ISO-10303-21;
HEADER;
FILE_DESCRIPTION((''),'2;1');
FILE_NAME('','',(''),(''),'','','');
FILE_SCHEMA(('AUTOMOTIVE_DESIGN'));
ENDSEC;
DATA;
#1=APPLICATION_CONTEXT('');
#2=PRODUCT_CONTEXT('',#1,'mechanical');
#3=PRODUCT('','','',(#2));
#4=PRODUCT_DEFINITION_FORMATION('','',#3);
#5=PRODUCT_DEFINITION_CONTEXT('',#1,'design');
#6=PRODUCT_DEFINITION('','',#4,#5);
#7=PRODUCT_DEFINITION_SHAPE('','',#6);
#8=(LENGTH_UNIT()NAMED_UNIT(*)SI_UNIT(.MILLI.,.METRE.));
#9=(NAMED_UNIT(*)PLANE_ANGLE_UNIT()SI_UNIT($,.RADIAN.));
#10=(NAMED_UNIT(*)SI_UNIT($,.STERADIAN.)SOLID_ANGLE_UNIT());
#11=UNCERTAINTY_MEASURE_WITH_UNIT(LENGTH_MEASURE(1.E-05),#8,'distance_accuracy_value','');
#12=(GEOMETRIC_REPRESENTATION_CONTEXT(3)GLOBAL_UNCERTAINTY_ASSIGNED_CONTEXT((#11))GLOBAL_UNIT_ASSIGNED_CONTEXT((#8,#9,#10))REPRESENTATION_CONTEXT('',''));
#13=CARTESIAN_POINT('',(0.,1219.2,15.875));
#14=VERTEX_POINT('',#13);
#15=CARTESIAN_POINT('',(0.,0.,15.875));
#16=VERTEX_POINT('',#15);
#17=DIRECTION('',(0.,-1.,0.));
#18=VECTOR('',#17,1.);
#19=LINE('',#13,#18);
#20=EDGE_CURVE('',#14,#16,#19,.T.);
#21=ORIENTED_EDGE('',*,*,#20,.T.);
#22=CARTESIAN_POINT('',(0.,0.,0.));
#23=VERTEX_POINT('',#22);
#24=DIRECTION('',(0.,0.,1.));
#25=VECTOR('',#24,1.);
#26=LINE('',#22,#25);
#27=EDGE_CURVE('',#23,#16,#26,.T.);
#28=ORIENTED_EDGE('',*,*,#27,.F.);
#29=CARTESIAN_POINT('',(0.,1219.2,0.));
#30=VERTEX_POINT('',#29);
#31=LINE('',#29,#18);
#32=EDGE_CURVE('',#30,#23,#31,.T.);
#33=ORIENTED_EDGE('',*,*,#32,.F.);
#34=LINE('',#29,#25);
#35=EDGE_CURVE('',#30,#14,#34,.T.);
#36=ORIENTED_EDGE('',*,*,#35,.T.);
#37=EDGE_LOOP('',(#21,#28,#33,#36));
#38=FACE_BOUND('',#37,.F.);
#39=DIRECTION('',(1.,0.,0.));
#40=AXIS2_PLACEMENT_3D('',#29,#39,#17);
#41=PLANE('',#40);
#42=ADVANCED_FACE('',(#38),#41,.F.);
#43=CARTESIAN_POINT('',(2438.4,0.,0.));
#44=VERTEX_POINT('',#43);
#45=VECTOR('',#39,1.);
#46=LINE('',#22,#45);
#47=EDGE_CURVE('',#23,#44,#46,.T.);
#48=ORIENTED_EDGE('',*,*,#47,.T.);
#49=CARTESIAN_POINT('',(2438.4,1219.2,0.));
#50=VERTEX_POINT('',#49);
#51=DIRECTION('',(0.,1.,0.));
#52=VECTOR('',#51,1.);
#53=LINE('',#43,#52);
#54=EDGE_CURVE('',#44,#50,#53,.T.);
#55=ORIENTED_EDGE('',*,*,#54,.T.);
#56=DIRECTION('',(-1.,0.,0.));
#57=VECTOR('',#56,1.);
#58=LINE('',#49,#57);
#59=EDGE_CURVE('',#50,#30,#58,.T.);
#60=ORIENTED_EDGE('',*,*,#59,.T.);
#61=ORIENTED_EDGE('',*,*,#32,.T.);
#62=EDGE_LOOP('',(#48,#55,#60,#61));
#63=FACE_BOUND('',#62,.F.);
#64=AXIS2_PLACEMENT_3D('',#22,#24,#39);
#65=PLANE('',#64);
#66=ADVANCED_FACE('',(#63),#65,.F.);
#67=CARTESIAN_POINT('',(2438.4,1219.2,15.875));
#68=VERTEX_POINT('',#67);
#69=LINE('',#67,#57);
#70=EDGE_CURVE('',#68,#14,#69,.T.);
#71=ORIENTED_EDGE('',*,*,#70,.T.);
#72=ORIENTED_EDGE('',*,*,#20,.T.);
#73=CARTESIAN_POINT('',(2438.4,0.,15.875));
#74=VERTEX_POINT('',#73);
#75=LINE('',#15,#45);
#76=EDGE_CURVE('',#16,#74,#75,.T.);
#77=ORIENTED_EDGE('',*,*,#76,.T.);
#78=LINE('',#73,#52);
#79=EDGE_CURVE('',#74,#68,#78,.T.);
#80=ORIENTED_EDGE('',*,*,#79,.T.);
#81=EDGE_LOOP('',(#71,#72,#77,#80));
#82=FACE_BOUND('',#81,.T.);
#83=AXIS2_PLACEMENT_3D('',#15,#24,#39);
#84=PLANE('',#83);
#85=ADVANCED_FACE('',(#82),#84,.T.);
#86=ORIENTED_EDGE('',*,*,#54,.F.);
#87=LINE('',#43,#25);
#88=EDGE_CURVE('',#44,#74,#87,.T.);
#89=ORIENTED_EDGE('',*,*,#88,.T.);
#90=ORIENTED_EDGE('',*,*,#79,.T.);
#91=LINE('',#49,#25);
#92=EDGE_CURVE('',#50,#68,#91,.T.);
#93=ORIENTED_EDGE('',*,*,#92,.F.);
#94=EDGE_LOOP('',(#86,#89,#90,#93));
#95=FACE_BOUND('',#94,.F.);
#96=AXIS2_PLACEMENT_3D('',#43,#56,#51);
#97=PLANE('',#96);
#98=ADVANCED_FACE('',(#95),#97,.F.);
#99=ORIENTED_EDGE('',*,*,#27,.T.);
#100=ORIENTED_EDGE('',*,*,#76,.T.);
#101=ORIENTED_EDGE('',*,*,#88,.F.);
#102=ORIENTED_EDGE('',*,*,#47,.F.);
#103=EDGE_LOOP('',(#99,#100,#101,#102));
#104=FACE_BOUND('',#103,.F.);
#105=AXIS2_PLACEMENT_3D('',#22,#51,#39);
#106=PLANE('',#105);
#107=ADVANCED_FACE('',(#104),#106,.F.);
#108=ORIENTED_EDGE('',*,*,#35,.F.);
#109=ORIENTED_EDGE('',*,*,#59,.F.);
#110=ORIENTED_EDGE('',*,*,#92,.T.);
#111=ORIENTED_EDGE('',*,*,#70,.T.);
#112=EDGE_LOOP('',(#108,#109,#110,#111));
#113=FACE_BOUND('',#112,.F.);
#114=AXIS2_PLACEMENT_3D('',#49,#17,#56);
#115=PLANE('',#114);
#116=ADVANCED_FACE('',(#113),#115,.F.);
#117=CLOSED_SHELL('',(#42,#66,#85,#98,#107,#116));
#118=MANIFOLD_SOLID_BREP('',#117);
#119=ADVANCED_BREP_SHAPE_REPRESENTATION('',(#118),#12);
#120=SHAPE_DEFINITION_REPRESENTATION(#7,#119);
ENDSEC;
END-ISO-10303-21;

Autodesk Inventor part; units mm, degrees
ref_plane "YZ Plane" through (0, 0, 0) normal (1, 0, 0) x (0, 1, 0)
ref_plane "XZ Plane" through (0, 0, 0) normal (0, 1, 0) x (-1, 0, 0)
ref_plane "XY Plane" through (0, 0, 0) normal (0, 0, 1) x (1, 0, 0)
sketch "Sketch1" plane through (0, 0, 0) normal (0, 0, 1) x (1, 0, 0)
  line L0 (0, 0) -> (2438.4, 0)
  line L1 (2438.4, 0) -> (2438.4, 1219.2)
  line L2 (2438.4, 1219.2) -> (0, 1219.2)
  line L3 (0, 1219.2) -> (0, 0)
  dimension "d0" = 2438.4
  dimension "d1" = 1219.2
extrude "Extrusion1" add sketch "Sketch1" along normal blind 15.875
properties part number "Full Sheet Gyp Board"
